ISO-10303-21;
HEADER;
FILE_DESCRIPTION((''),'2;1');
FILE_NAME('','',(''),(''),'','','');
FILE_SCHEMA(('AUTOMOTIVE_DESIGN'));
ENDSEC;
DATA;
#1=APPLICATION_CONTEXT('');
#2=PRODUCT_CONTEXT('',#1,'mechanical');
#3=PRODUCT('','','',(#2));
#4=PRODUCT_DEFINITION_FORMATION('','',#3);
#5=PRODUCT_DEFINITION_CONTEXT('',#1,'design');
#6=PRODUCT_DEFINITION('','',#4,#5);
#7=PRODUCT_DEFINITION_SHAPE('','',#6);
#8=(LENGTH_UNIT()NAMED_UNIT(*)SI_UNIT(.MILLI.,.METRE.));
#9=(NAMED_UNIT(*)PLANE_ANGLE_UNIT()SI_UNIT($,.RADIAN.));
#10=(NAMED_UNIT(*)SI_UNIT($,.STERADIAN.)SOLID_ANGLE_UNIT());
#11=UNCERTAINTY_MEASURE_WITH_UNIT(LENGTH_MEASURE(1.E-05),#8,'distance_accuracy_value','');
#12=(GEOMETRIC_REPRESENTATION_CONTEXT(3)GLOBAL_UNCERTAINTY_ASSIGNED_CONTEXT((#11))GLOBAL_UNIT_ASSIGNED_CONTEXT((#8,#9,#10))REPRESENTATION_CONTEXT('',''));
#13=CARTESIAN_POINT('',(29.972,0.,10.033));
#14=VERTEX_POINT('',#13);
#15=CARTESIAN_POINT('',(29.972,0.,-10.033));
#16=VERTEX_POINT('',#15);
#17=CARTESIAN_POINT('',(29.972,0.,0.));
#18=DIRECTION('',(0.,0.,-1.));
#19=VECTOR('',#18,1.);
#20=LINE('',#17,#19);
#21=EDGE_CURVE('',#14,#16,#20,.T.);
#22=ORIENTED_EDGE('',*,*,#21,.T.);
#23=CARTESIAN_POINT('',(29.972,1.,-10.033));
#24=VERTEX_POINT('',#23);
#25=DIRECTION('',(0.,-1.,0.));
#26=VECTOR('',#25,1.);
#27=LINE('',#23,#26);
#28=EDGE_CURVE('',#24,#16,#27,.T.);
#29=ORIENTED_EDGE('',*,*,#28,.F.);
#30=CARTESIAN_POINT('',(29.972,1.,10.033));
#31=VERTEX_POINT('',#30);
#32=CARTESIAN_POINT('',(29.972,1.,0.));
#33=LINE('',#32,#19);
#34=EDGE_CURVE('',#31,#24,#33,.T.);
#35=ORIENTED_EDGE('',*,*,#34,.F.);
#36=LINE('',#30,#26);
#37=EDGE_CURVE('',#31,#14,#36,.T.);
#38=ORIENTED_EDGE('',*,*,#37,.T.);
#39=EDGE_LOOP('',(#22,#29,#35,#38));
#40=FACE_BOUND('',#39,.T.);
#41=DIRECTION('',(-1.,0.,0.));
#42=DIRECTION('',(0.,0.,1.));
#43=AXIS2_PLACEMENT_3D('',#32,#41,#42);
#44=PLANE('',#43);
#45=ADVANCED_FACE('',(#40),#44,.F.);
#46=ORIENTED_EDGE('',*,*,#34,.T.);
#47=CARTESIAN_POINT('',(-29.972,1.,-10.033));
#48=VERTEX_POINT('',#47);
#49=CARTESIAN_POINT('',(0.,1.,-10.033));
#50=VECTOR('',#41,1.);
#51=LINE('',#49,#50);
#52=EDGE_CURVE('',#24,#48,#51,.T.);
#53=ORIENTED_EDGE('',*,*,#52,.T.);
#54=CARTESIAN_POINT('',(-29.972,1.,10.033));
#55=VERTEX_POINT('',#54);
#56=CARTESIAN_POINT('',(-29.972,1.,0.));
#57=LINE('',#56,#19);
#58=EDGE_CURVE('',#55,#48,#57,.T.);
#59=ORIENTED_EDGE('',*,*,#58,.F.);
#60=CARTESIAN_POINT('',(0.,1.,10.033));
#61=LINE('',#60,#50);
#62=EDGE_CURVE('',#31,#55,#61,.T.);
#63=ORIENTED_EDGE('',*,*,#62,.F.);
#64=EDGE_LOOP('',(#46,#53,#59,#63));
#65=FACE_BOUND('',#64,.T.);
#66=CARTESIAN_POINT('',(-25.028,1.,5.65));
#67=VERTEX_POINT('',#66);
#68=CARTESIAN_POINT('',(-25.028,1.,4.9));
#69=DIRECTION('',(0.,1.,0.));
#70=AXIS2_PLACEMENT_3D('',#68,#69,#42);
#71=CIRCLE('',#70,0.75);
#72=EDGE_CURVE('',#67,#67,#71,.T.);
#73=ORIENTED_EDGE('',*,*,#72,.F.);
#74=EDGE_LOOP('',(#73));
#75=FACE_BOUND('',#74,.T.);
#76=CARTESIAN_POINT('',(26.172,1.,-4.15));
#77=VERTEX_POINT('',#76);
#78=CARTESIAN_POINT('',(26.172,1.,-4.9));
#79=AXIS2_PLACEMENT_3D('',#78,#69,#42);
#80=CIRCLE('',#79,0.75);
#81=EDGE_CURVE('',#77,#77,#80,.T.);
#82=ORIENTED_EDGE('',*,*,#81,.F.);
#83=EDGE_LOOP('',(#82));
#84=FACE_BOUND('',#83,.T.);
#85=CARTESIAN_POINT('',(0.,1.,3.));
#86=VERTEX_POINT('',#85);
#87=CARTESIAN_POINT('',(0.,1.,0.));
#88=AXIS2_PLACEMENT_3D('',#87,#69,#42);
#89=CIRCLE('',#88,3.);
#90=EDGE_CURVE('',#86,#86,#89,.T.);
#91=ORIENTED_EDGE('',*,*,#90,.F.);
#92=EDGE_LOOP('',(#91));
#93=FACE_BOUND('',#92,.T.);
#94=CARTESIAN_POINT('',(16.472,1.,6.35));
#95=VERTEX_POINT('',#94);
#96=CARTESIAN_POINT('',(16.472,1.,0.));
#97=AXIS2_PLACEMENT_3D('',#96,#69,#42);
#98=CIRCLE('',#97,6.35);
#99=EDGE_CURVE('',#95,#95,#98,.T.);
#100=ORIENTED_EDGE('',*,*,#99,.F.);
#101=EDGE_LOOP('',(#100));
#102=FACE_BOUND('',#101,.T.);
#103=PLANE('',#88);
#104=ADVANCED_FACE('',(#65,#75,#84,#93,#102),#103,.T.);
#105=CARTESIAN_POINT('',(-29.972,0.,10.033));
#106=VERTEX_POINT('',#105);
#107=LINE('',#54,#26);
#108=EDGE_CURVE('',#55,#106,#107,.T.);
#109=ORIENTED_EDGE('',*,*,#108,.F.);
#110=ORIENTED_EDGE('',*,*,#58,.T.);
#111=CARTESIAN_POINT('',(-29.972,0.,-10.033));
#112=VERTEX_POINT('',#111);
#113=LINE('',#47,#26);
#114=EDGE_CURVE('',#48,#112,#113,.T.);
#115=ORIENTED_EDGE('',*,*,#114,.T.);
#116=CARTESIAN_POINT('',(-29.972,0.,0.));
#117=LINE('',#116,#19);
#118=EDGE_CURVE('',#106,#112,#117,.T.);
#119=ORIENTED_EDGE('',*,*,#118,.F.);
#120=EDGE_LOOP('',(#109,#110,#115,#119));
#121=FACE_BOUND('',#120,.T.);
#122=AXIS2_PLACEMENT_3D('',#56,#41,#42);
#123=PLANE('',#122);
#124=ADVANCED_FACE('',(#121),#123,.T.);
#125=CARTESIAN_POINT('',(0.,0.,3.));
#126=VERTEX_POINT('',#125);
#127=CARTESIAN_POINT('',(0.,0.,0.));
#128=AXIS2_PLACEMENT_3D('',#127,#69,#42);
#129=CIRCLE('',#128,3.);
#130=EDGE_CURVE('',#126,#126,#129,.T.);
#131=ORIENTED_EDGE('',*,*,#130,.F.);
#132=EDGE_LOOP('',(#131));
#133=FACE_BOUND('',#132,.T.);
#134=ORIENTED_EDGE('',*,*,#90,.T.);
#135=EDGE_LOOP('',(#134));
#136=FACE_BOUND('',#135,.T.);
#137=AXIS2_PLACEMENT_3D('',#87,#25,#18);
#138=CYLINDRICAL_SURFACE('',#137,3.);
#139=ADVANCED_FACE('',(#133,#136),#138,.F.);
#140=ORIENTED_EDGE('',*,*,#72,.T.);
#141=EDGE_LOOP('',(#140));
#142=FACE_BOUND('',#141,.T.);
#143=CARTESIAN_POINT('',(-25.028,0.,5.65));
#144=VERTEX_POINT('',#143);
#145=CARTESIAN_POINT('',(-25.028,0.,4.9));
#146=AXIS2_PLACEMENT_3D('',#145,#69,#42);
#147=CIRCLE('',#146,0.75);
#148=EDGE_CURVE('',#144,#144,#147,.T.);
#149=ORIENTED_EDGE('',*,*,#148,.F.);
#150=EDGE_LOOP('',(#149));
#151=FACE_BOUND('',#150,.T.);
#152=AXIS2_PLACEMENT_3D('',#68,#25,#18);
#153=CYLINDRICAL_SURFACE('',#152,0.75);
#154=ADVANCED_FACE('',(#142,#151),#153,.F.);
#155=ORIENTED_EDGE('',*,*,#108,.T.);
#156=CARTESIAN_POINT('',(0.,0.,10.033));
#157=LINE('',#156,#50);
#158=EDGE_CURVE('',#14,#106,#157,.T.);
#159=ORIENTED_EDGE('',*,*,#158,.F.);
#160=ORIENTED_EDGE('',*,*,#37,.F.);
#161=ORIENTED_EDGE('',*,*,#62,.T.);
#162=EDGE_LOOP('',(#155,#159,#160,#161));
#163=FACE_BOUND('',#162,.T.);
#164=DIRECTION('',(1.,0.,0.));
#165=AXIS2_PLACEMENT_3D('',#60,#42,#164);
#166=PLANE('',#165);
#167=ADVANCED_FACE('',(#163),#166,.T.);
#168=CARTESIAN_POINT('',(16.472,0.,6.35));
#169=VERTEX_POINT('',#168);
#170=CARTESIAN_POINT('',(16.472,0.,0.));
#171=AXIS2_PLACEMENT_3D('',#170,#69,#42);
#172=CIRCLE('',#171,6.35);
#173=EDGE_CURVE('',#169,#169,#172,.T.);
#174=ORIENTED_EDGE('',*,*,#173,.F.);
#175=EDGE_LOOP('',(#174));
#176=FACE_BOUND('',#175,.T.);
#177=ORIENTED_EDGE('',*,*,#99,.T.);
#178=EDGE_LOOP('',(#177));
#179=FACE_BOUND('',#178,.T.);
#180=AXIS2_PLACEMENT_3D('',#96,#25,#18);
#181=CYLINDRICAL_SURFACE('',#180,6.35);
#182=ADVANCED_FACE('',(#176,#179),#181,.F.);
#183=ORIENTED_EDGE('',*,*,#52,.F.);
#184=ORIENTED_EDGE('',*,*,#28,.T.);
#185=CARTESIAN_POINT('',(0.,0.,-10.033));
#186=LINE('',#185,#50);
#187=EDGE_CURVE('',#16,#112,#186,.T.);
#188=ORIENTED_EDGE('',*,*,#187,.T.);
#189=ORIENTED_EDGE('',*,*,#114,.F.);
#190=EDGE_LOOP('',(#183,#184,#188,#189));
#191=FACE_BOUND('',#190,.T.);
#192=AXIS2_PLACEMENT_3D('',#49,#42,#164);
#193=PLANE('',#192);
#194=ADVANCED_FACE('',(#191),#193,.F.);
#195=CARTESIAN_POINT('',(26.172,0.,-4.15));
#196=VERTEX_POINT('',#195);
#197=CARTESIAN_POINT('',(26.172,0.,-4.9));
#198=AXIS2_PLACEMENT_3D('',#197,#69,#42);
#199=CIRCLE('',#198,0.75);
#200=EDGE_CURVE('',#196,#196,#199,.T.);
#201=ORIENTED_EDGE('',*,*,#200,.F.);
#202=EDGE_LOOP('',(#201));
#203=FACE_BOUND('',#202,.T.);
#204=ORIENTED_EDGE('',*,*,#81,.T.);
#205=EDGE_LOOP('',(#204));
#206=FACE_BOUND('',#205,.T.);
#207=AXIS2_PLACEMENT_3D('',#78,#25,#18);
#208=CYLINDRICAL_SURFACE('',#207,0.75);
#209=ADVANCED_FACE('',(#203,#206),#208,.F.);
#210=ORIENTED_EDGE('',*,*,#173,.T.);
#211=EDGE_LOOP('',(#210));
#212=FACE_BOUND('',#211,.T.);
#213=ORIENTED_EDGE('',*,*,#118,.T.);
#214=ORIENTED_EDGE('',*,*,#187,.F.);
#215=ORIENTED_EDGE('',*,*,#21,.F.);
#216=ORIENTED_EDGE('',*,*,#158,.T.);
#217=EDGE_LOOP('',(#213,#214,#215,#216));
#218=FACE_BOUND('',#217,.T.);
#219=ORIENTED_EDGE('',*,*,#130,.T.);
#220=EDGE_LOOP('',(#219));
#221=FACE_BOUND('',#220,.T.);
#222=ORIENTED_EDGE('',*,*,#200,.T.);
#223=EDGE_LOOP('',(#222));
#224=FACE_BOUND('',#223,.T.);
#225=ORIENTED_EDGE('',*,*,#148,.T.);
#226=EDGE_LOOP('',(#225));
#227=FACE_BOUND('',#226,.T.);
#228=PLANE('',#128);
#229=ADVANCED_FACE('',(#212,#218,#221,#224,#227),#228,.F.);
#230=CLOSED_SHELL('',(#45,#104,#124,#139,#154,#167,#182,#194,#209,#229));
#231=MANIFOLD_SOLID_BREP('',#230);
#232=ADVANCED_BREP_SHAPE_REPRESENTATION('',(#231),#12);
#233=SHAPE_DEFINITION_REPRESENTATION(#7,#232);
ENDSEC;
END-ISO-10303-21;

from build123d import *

# Parameters (mm, degrees)
SKETCH1_W           = 59.944
SKETCH1_H           = 20.066
SKETCH1_R           = 6.35
SKETCH1_R_2         = 0.75
SKETCH1_R_3         = 3
BOSS_EXTRUDE1_DEPTH = 1


with BuildPart() as part:
    # Sketch1 → Boss-Extrude1 (new body)
    with BuildSketch(Plane(origin=(0, 0, 0), x_dir=(1, 0, 0), z_dir=(0, 1, 0))):
        Rectangle(SKETCH1_W, SKETCH1_H)
        with Locations(Location((16.472, 0, 0), (0, 0, 270))):
            Circle(SKETCH1_R, mode=Mode.SUBTRACT)
        with Locations(Location((26.172, 4.9, 0), (0, 0, 270))):
            Circle(SKETCH1_R_2, mode=Mode.SUBTRACT)
        with Locations(Location((-25.028, -4.9, 0), (0, 0, 270))):
            Circle(SKETCH1_R_2, mode=Mode.SUBTRACT)
        with Locations(Location((0, 0, 0), (0, 0, 270))):
            Circle(SKETCH1_R_3, mode=Mode.SUBTRACT)
    extrude(amount=BOSS_EXTRUDE1_DEPTH)


solid = part.part
